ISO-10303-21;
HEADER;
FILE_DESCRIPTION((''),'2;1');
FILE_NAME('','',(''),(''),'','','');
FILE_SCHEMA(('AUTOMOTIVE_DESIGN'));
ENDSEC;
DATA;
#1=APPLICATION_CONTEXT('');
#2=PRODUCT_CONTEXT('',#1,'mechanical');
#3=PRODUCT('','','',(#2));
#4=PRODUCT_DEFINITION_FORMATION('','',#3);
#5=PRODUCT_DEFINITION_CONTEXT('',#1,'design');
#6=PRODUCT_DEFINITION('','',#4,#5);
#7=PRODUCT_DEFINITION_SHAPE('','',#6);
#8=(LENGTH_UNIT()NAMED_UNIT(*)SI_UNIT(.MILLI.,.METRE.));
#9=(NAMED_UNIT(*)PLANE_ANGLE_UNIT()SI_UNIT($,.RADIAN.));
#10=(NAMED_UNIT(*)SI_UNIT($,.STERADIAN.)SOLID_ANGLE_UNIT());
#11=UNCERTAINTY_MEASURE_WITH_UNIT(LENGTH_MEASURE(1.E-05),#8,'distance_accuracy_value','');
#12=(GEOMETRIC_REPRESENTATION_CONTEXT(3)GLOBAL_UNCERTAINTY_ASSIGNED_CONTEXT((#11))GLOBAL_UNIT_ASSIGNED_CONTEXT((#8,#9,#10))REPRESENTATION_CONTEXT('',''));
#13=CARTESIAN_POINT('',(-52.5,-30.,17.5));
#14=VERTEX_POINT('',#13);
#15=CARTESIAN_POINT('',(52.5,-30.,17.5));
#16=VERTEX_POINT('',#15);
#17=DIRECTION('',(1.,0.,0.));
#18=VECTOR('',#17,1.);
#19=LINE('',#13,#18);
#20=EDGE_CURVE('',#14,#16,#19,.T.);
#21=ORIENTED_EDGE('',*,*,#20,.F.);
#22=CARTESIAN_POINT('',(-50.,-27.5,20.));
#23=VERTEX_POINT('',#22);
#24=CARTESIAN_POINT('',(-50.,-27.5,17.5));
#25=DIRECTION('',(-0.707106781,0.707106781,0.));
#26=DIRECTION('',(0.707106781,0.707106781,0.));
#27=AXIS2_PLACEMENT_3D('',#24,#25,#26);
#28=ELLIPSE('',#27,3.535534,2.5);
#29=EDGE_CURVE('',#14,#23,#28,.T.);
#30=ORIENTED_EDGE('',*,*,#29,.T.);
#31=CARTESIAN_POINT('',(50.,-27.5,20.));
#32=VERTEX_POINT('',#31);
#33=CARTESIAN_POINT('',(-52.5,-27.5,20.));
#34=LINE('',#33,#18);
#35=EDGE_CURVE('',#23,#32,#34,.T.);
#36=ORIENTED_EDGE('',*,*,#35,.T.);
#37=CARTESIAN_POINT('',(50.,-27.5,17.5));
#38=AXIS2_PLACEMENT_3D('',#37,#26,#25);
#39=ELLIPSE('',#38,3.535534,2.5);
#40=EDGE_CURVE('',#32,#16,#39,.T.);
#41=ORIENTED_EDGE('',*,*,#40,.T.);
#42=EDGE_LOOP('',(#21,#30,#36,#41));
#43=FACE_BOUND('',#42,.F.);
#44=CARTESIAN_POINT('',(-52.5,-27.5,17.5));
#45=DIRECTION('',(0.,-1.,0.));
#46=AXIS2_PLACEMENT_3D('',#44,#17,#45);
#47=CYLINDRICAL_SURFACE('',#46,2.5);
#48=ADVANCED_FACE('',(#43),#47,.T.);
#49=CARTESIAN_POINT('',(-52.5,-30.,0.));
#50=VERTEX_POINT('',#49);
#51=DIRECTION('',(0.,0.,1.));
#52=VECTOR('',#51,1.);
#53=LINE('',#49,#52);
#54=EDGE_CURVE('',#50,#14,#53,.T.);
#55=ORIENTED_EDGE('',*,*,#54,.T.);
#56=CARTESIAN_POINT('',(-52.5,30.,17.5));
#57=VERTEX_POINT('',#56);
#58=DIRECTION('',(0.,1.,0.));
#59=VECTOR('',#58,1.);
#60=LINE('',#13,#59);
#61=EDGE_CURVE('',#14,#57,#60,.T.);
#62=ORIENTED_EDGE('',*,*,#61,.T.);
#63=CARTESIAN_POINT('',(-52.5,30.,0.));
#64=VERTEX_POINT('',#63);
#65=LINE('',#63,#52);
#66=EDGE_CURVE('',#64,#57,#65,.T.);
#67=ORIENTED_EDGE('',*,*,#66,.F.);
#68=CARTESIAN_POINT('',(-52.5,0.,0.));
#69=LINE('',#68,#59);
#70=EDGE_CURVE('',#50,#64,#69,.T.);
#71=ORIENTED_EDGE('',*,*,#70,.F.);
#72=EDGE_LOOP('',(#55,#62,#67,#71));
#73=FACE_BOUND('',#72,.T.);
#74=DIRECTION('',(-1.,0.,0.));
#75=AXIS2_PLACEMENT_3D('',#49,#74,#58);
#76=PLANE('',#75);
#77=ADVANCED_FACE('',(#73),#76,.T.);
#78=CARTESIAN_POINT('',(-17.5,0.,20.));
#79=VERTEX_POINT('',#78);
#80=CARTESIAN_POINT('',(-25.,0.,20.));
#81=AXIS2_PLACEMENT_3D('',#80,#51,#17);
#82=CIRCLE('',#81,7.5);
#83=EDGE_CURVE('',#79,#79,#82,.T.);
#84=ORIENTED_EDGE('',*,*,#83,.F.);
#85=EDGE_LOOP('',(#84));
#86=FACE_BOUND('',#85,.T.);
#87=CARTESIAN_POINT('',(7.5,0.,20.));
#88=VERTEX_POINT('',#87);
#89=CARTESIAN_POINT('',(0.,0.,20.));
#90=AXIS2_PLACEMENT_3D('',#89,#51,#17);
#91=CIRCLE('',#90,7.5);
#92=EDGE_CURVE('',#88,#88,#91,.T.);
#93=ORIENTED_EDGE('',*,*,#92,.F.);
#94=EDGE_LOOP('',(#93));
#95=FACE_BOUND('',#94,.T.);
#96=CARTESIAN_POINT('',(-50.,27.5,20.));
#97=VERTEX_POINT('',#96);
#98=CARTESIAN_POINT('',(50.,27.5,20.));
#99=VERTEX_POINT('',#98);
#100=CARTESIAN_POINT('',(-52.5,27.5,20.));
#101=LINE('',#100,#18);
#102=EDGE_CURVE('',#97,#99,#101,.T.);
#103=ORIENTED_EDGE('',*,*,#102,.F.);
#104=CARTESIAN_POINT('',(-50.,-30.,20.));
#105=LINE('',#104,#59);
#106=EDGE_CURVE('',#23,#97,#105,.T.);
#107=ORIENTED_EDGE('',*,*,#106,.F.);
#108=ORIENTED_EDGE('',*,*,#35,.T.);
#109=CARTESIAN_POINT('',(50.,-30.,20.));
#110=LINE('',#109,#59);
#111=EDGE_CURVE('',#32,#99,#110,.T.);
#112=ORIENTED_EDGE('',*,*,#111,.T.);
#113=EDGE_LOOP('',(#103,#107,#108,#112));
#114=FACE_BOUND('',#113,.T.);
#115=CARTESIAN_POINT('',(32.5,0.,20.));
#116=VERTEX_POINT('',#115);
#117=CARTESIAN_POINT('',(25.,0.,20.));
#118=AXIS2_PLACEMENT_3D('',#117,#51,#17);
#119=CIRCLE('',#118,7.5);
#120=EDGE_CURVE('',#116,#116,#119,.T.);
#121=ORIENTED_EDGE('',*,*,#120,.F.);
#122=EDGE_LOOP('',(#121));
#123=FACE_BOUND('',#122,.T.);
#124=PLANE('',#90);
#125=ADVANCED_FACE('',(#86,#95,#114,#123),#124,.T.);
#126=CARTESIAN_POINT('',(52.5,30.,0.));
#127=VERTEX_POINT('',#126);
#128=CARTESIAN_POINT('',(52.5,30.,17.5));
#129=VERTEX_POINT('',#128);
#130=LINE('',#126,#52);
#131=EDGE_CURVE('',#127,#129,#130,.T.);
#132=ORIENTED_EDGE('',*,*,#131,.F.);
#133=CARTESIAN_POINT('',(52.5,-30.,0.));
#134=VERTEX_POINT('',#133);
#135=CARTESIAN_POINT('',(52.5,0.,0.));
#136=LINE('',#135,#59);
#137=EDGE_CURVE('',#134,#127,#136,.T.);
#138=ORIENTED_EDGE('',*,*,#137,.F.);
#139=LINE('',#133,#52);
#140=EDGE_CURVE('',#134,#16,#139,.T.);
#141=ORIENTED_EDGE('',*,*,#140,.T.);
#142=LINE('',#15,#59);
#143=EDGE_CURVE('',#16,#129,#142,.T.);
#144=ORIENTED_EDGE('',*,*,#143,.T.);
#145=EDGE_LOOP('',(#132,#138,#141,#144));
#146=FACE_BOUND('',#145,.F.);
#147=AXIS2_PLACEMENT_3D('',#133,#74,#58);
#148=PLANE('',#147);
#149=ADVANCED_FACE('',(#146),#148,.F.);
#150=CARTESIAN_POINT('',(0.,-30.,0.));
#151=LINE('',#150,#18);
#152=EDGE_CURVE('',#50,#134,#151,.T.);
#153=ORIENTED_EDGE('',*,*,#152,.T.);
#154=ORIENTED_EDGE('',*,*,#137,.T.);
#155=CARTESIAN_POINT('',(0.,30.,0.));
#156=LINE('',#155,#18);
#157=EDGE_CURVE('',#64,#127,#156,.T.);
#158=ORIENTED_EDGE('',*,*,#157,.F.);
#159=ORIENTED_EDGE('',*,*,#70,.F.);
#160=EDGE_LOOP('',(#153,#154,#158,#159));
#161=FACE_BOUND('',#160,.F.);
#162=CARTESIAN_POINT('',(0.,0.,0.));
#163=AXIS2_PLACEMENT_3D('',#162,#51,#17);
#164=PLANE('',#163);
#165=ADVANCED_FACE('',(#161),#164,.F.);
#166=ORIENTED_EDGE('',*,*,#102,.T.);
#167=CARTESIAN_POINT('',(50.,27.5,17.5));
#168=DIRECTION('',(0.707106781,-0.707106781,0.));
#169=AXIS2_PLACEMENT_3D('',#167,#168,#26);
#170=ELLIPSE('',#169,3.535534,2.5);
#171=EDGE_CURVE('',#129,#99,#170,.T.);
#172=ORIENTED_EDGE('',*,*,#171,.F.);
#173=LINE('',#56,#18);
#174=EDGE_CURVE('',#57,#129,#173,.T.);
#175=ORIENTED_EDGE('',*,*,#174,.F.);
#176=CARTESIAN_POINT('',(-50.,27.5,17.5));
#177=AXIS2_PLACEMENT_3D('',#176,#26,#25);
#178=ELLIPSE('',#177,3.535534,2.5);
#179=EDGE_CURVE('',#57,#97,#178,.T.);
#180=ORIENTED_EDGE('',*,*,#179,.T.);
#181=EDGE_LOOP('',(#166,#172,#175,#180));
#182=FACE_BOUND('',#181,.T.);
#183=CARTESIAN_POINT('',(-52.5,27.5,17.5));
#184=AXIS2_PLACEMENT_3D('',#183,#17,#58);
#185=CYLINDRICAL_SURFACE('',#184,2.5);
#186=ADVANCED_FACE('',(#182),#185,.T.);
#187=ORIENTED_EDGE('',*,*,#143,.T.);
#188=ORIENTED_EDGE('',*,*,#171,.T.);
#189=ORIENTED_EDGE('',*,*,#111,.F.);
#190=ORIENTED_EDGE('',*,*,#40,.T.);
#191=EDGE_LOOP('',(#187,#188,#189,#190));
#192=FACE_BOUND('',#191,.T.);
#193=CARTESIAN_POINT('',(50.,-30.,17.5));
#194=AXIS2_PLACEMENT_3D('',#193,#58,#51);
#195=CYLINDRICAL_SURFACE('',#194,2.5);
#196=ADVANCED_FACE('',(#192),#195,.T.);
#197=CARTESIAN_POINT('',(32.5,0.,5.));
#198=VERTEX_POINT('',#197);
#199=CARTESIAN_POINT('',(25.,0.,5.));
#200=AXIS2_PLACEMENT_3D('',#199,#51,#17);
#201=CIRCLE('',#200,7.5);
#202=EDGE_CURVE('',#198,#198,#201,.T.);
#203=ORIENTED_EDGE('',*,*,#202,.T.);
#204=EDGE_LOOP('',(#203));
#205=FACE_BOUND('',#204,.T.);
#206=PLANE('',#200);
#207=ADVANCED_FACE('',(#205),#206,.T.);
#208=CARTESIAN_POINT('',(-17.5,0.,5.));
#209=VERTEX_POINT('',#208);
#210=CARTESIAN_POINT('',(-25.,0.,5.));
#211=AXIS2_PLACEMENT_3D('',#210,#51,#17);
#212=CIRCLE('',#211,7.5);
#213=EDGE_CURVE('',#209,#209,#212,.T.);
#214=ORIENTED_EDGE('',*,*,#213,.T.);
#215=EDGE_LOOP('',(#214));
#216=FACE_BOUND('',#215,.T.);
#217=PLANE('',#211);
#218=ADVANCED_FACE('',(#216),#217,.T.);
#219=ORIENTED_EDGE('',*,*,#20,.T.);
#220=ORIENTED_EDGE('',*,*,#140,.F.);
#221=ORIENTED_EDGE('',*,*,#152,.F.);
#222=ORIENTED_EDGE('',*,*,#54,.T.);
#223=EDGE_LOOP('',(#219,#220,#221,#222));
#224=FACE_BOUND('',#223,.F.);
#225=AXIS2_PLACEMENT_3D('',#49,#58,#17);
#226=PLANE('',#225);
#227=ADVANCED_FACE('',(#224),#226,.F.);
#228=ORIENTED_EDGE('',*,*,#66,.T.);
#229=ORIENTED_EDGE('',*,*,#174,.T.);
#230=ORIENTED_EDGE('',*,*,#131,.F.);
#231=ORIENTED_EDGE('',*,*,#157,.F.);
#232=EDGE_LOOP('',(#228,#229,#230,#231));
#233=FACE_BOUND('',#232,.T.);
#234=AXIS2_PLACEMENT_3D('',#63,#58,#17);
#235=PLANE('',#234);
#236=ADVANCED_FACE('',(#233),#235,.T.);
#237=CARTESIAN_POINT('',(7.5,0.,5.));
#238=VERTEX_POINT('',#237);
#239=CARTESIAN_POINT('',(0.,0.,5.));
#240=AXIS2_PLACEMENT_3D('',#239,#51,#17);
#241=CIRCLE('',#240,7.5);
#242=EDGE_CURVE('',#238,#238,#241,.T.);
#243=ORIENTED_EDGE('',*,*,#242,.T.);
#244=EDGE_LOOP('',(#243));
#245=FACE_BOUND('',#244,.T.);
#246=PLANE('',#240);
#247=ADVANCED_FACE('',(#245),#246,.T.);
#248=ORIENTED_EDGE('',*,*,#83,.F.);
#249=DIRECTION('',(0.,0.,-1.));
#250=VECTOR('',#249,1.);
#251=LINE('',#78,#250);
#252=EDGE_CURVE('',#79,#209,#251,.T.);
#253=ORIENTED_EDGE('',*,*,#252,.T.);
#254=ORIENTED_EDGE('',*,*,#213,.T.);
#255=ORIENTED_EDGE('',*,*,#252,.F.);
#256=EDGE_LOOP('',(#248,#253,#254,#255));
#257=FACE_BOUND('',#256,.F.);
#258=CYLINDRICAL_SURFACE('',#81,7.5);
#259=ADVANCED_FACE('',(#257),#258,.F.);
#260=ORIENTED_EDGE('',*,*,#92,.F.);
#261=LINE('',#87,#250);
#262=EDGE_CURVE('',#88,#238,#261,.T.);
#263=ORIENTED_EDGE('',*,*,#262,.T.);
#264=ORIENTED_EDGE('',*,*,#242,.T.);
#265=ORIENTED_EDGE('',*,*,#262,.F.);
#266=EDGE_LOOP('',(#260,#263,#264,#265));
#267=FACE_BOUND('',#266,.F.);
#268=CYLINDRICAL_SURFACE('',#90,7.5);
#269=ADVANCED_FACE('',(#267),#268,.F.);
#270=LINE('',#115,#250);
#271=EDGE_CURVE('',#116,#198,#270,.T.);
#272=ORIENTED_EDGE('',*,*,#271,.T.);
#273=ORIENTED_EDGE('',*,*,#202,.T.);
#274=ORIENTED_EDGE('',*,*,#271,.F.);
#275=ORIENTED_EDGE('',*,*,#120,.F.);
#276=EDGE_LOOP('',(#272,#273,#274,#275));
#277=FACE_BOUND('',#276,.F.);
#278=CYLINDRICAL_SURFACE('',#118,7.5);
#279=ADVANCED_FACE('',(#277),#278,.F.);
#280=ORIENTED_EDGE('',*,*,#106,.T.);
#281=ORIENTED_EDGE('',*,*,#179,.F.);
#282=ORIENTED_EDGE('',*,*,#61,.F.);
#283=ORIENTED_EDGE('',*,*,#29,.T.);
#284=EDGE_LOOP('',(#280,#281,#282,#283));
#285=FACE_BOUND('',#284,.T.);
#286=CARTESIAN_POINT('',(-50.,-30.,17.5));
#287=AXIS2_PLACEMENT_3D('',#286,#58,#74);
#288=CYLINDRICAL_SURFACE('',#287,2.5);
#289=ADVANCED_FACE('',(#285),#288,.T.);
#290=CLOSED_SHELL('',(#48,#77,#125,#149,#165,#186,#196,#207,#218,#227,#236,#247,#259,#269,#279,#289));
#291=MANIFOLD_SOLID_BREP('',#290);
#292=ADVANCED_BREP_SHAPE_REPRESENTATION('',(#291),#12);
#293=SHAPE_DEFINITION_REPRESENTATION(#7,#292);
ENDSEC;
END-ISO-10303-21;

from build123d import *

# Parameters (mm, degrees)
F0_W     = 105
F0_H     = 60
F1_DEPTH = 20
F2_R     = 7.5
F3_DEPTH = 15
F4_R     = 2.5


with BuildPart() as f1:
    # F0 (on Top) → F1 (new body)
    with BuildSketch(Plane.XY):
        Rectangle(F0_W, F0_H)
    extrude(amount=F1_DEPTH)

    # F2 (on face) → F3 (cut)
    with BuildSketch(Plane.XY.offset(20)):
        with Locations((-25, 0)):
            Circle(F2_R)
        with Locations((25, 0)):
            Circle(F2_R)
        Circle(F2_R)
    extrude(amount=-F3_DEPTH, mode=Mode.SUBTRACT)

    # F4
    f4_edges = [f1.edges().sort_by_distance(p)[0] for p in [
        (-52.5, 0, 20),
        (0, 30, 20),
        (52.5, 0, 20),
        (0, -30, 20),
    ]]
    fillet(f4_edges, radius=F4_R)


solid = f1.part
